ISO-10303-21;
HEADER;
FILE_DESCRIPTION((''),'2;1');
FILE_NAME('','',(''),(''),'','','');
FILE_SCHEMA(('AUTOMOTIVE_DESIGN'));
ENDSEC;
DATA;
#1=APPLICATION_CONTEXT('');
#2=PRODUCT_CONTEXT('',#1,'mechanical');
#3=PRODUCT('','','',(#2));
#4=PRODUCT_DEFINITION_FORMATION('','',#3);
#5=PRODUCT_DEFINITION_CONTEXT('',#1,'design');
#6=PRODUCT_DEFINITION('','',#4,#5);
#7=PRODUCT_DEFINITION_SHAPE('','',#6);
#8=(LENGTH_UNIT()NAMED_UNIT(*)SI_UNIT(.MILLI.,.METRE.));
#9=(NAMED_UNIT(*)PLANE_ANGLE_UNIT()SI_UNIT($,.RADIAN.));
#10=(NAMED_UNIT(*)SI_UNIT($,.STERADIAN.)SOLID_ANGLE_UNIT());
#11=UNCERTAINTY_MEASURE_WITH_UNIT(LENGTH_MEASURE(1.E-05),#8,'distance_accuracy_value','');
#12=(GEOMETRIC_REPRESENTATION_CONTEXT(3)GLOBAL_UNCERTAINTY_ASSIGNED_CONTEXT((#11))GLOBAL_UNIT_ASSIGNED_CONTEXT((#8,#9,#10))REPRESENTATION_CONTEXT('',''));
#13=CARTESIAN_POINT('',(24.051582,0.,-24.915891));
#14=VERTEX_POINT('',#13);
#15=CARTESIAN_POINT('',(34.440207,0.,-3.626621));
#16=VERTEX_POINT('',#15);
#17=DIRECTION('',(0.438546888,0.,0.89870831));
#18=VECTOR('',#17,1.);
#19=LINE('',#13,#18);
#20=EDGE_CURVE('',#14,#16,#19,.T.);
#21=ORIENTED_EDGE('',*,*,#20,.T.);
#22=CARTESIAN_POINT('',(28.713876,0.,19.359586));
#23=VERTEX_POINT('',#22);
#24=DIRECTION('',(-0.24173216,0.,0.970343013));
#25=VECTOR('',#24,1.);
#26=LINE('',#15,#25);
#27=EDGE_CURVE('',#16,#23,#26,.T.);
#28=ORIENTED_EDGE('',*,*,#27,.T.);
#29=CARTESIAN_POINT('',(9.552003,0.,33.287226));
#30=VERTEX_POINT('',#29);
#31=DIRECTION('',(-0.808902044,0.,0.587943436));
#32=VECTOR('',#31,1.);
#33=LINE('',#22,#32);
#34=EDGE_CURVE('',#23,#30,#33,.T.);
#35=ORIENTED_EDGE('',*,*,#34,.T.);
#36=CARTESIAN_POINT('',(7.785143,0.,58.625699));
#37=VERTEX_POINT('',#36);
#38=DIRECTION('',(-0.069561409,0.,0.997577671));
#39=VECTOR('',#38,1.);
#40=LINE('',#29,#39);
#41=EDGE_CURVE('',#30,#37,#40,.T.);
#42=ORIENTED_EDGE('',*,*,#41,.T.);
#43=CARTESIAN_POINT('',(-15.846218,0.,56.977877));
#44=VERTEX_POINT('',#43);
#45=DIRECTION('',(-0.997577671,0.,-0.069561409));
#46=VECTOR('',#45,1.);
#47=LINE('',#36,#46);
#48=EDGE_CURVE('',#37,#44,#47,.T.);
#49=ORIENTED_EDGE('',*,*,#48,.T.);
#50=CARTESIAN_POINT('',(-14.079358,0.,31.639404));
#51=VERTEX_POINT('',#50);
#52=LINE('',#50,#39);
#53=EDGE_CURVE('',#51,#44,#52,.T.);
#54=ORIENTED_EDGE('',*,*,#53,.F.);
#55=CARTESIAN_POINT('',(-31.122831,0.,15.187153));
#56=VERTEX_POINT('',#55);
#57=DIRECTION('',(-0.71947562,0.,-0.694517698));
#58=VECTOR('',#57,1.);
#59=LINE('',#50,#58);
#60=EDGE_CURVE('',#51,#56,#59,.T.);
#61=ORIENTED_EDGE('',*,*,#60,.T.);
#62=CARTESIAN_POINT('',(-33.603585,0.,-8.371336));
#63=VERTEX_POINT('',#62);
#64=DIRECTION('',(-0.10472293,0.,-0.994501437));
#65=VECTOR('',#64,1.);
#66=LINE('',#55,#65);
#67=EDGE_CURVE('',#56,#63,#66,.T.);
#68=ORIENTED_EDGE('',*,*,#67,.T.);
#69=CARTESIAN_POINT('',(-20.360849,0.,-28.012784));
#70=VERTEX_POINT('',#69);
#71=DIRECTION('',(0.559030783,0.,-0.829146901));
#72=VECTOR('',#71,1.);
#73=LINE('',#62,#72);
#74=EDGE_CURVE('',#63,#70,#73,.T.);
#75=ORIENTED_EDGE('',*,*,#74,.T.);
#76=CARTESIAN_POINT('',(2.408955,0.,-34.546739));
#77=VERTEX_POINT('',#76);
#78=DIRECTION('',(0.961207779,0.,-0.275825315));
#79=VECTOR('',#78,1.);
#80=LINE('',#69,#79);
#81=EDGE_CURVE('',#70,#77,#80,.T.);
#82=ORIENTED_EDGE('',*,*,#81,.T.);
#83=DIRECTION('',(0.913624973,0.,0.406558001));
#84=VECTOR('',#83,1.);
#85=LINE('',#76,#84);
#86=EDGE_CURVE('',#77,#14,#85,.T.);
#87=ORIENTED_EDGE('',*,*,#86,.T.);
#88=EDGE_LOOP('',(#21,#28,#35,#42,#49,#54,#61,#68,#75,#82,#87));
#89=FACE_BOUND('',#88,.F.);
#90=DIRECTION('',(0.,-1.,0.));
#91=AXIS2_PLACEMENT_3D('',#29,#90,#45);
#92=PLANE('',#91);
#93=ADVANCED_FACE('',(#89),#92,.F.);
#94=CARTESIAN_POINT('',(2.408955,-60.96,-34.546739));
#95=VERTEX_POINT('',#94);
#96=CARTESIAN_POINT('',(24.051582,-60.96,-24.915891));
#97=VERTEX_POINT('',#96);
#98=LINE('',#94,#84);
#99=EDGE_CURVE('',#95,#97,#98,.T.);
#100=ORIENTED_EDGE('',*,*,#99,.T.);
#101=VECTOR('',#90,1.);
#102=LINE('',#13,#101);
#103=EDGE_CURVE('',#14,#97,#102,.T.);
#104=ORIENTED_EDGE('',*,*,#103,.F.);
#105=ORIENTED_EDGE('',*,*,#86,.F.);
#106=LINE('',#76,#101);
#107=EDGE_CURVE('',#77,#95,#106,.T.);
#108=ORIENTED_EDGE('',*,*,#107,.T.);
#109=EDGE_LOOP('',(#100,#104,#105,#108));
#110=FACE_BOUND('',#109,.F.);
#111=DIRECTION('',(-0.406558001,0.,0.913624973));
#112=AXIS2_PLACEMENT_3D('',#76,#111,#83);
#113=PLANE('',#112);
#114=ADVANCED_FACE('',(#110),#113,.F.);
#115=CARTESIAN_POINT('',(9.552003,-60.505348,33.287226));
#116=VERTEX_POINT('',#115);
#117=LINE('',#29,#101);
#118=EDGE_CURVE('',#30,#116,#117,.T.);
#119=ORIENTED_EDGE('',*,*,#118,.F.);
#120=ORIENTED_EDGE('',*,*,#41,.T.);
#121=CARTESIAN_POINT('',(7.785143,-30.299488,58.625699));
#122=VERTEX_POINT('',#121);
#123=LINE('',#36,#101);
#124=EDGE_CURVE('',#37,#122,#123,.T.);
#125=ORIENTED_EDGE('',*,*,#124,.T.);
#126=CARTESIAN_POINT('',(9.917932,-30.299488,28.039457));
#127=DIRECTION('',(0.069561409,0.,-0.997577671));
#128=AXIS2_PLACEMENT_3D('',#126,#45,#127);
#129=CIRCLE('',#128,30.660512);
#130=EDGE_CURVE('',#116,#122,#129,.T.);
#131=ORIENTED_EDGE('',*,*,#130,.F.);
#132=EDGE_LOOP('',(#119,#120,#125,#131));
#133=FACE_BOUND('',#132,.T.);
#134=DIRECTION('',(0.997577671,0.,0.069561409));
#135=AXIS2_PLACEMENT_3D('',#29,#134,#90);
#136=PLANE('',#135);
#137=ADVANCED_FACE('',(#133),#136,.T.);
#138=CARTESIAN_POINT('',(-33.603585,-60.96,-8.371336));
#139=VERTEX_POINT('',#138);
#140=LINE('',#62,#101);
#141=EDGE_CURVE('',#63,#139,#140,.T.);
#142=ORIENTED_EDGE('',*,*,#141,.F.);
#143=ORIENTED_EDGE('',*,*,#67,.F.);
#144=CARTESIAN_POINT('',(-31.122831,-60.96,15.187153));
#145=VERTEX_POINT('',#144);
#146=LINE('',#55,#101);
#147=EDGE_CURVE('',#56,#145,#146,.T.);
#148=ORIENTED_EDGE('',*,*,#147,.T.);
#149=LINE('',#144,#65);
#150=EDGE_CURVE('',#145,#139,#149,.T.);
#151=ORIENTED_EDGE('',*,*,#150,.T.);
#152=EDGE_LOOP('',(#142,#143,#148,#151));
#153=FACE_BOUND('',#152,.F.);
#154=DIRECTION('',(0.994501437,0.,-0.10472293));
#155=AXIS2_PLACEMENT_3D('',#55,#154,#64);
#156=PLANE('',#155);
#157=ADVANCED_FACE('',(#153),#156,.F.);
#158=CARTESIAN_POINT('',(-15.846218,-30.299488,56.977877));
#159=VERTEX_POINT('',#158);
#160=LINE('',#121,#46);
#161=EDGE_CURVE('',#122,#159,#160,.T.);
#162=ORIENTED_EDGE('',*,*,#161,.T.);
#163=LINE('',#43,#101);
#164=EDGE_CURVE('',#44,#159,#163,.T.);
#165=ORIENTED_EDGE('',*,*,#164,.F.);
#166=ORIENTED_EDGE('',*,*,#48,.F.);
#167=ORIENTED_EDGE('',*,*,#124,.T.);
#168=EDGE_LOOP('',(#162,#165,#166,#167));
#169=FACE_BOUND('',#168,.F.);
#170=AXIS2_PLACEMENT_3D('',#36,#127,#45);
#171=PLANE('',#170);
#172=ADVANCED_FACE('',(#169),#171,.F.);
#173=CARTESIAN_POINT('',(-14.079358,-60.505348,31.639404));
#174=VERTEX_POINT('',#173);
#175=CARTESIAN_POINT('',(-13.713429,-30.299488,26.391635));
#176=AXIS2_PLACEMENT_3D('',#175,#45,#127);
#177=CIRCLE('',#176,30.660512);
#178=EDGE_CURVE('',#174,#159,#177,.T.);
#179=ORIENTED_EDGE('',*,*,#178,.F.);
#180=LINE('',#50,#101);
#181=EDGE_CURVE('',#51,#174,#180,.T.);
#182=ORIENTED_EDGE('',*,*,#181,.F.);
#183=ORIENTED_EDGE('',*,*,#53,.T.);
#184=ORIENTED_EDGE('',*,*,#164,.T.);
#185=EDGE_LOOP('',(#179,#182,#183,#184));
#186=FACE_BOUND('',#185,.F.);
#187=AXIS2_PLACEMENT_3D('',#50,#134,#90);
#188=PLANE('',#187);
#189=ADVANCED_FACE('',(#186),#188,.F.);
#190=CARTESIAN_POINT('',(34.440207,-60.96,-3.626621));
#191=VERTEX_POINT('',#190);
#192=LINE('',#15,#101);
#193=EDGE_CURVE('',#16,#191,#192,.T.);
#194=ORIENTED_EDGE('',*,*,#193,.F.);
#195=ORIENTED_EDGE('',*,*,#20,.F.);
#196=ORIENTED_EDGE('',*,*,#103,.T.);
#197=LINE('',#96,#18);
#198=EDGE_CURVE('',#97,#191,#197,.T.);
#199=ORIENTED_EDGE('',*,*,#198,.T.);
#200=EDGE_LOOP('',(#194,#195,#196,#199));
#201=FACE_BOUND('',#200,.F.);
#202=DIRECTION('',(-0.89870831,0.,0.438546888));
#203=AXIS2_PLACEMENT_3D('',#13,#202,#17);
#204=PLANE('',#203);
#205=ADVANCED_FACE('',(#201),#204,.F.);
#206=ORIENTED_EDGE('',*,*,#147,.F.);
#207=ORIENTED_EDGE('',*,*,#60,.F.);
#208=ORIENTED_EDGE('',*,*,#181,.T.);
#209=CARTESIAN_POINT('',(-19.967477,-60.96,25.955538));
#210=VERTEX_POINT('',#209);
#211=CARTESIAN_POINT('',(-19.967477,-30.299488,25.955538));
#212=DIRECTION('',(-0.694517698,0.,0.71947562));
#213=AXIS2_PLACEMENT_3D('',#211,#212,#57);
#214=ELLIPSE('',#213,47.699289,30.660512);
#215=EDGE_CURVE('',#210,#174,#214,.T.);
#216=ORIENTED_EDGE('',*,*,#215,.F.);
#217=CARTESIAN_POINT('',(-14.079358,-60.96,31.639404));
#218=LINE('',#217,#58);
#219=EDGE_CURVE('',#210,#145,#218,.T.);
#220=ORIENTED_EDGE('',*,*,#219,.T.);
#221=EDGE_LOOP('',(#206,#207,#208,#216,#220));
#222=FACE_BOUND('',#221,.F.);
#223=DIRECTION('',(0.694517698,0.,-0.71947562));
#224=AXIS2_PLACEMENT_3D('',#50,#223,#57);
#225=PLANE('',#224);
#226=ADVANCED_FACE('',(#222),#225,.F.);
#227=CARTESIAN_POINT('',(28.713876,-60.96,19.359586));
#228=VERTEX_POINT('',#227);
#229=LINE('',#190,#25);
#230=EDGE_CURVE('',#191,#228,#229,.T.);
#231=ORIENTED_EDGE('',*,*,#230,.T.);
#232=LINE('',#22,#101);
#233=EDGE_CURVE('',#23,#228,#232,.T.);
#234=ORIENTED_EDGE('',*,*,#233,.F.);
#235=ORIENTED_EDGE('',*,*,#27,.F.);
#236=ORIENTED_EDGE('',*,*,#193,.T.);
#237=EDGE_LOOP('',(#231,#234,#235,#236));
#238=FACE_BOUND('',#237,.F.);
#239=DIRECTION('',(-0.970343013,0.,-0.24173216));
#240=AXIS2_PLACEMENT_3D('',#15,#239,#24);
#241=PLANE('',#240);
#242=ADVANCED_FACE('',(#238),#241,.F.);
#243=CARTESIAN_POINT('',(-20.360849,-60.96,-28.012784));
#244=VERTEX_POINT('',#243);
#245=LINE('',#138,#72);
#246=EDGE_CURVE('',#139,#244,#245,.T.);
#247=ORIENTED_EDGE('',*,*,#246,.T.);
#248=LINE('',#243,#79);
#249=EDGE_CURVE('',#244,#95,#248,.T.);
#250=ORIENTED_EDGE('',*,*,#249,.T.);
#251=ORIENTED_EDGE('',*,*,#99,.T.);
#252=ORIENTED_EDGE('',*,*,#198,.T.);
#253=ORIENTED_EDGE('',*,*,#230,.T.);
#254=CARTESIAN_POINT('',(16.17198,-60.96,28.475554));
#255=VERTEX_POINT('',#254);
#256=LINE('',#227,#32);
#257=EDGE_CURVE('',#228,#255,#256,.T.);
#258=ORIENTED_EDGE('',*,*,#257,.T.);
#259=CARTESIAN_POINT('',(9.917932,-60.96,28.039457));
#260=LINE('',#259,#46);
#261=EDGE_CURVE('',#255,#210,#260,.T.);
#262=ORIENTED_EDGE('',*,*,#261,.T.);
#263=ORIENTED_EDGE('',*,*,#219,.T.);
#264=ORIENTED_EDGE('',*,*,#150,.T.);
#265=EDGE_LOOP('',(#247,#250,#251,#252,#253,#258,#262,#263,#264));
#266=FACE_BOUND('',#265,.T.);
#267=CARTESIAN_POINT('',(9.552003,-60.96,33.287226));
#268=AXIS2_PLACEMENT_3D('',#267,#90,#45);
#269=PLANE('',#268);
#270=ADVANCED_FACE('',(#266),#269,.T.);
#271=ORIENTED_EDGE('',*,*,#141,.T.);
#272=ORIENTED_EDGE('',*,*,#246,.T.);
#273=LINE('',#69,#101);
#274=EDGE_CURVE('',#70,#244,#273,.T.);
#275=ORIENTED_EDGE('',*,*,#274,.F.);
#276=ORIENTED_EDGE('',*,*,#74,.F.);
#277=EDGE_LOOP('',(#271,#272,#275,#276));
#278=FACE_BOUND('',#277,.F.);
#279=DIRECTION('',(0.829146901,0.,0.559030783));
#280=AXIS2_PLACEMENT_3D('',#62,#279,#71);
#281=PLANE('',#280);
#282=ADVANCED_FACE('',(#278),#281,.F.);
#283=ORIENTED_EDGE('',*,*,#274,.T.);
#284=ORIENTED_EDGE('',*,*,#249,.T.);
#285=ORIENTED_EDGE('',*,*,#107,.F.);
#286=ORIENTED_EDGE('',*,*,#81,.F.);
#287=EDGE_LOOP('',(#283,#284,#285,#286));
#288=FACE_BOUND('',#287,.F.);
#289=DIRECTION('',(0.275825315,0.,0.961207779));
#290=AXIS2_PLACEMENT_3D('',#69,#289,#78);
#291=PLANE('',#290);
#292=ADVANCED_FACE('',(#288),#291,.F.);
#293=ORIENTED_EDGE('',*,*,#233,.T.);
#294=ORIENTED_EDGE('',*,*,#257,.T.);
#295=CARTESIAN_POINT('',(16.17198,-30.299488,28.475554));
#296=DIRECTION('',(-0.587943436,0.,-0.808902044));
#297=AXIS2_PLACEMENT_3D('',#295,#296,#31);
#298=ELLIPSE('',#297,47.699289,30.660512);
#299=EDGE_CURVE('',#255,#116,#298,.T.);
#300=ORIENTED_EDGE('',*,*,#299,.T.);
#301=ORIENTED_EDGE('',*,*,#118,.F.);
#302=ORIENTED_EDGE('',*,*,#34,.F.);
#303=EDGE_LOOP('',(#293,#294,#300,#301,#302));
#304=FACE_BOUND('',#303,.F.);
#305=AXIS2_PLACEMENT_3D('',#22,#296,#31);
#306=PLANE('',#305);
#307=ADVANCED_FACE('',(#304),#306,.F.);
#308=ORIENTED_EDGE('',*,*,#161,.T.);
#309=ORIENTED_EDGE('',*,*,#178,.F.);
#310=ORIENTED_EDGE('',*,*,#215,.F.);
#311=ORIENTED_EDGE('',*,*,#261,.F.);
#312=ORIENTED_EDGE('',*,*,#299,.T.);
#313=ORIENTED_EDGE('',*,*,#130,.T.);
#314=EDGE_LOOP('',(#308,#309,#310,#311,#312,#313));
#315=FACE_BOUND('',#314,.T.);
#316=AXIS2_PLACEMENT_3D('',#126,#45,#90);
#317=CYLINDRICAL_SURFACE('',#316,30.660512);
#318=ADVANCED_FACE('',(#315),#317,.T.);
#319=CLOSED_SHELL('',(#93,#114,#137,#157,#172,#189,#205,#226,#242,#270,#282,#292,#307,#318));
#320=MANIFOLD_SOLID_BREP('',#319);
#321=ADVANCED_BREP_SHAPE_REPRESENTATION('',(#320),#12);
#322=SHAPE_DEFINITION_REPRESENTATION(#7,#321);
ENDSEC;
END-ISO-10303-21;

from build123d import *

# Parameters (mm, degrees)
F1_DEPTH = 60.96
F2_DEPTH = 25.4
F3_R     = 30.6605122421


with BuildPart() as f1:
    # F0 (on Front) → F1 (new body)
    with BuildSketch(Plane.XZ):
        Polygon((24.0515821646, -24.9158906195), (34.4402066399, -3.6266205457), (28.7138756682, 19.3595855869), (9.5520031521, 33.2872264655), (-14.0793577975, 31.6394041346), (-31.1228307591, 15.1871529763), (-33.6035853167, -8.371335846), (-20.3608488424, -28.0127835889), (2.4089550909, -34.5467385632), align=None)
    extrude(amount=F1_DEPTH)

    # F2 (add): a face of the model
    f2_faces = [f1.faces().sort_by_distance(p)[0] for p in [
        (-2.2636773227, -30.48, 32.4633153),
    ]]
    extrude(f2_faces, amount=F2_DEPTH)

    # F3
    f3_edges = [f1.edges().sort_by_distance(p)[0] for p in [
        (-4.030537, -60.96, 57.801788),
    ]]
    fillet(f3_edges, radius=F3_R)


solid = f1.part
